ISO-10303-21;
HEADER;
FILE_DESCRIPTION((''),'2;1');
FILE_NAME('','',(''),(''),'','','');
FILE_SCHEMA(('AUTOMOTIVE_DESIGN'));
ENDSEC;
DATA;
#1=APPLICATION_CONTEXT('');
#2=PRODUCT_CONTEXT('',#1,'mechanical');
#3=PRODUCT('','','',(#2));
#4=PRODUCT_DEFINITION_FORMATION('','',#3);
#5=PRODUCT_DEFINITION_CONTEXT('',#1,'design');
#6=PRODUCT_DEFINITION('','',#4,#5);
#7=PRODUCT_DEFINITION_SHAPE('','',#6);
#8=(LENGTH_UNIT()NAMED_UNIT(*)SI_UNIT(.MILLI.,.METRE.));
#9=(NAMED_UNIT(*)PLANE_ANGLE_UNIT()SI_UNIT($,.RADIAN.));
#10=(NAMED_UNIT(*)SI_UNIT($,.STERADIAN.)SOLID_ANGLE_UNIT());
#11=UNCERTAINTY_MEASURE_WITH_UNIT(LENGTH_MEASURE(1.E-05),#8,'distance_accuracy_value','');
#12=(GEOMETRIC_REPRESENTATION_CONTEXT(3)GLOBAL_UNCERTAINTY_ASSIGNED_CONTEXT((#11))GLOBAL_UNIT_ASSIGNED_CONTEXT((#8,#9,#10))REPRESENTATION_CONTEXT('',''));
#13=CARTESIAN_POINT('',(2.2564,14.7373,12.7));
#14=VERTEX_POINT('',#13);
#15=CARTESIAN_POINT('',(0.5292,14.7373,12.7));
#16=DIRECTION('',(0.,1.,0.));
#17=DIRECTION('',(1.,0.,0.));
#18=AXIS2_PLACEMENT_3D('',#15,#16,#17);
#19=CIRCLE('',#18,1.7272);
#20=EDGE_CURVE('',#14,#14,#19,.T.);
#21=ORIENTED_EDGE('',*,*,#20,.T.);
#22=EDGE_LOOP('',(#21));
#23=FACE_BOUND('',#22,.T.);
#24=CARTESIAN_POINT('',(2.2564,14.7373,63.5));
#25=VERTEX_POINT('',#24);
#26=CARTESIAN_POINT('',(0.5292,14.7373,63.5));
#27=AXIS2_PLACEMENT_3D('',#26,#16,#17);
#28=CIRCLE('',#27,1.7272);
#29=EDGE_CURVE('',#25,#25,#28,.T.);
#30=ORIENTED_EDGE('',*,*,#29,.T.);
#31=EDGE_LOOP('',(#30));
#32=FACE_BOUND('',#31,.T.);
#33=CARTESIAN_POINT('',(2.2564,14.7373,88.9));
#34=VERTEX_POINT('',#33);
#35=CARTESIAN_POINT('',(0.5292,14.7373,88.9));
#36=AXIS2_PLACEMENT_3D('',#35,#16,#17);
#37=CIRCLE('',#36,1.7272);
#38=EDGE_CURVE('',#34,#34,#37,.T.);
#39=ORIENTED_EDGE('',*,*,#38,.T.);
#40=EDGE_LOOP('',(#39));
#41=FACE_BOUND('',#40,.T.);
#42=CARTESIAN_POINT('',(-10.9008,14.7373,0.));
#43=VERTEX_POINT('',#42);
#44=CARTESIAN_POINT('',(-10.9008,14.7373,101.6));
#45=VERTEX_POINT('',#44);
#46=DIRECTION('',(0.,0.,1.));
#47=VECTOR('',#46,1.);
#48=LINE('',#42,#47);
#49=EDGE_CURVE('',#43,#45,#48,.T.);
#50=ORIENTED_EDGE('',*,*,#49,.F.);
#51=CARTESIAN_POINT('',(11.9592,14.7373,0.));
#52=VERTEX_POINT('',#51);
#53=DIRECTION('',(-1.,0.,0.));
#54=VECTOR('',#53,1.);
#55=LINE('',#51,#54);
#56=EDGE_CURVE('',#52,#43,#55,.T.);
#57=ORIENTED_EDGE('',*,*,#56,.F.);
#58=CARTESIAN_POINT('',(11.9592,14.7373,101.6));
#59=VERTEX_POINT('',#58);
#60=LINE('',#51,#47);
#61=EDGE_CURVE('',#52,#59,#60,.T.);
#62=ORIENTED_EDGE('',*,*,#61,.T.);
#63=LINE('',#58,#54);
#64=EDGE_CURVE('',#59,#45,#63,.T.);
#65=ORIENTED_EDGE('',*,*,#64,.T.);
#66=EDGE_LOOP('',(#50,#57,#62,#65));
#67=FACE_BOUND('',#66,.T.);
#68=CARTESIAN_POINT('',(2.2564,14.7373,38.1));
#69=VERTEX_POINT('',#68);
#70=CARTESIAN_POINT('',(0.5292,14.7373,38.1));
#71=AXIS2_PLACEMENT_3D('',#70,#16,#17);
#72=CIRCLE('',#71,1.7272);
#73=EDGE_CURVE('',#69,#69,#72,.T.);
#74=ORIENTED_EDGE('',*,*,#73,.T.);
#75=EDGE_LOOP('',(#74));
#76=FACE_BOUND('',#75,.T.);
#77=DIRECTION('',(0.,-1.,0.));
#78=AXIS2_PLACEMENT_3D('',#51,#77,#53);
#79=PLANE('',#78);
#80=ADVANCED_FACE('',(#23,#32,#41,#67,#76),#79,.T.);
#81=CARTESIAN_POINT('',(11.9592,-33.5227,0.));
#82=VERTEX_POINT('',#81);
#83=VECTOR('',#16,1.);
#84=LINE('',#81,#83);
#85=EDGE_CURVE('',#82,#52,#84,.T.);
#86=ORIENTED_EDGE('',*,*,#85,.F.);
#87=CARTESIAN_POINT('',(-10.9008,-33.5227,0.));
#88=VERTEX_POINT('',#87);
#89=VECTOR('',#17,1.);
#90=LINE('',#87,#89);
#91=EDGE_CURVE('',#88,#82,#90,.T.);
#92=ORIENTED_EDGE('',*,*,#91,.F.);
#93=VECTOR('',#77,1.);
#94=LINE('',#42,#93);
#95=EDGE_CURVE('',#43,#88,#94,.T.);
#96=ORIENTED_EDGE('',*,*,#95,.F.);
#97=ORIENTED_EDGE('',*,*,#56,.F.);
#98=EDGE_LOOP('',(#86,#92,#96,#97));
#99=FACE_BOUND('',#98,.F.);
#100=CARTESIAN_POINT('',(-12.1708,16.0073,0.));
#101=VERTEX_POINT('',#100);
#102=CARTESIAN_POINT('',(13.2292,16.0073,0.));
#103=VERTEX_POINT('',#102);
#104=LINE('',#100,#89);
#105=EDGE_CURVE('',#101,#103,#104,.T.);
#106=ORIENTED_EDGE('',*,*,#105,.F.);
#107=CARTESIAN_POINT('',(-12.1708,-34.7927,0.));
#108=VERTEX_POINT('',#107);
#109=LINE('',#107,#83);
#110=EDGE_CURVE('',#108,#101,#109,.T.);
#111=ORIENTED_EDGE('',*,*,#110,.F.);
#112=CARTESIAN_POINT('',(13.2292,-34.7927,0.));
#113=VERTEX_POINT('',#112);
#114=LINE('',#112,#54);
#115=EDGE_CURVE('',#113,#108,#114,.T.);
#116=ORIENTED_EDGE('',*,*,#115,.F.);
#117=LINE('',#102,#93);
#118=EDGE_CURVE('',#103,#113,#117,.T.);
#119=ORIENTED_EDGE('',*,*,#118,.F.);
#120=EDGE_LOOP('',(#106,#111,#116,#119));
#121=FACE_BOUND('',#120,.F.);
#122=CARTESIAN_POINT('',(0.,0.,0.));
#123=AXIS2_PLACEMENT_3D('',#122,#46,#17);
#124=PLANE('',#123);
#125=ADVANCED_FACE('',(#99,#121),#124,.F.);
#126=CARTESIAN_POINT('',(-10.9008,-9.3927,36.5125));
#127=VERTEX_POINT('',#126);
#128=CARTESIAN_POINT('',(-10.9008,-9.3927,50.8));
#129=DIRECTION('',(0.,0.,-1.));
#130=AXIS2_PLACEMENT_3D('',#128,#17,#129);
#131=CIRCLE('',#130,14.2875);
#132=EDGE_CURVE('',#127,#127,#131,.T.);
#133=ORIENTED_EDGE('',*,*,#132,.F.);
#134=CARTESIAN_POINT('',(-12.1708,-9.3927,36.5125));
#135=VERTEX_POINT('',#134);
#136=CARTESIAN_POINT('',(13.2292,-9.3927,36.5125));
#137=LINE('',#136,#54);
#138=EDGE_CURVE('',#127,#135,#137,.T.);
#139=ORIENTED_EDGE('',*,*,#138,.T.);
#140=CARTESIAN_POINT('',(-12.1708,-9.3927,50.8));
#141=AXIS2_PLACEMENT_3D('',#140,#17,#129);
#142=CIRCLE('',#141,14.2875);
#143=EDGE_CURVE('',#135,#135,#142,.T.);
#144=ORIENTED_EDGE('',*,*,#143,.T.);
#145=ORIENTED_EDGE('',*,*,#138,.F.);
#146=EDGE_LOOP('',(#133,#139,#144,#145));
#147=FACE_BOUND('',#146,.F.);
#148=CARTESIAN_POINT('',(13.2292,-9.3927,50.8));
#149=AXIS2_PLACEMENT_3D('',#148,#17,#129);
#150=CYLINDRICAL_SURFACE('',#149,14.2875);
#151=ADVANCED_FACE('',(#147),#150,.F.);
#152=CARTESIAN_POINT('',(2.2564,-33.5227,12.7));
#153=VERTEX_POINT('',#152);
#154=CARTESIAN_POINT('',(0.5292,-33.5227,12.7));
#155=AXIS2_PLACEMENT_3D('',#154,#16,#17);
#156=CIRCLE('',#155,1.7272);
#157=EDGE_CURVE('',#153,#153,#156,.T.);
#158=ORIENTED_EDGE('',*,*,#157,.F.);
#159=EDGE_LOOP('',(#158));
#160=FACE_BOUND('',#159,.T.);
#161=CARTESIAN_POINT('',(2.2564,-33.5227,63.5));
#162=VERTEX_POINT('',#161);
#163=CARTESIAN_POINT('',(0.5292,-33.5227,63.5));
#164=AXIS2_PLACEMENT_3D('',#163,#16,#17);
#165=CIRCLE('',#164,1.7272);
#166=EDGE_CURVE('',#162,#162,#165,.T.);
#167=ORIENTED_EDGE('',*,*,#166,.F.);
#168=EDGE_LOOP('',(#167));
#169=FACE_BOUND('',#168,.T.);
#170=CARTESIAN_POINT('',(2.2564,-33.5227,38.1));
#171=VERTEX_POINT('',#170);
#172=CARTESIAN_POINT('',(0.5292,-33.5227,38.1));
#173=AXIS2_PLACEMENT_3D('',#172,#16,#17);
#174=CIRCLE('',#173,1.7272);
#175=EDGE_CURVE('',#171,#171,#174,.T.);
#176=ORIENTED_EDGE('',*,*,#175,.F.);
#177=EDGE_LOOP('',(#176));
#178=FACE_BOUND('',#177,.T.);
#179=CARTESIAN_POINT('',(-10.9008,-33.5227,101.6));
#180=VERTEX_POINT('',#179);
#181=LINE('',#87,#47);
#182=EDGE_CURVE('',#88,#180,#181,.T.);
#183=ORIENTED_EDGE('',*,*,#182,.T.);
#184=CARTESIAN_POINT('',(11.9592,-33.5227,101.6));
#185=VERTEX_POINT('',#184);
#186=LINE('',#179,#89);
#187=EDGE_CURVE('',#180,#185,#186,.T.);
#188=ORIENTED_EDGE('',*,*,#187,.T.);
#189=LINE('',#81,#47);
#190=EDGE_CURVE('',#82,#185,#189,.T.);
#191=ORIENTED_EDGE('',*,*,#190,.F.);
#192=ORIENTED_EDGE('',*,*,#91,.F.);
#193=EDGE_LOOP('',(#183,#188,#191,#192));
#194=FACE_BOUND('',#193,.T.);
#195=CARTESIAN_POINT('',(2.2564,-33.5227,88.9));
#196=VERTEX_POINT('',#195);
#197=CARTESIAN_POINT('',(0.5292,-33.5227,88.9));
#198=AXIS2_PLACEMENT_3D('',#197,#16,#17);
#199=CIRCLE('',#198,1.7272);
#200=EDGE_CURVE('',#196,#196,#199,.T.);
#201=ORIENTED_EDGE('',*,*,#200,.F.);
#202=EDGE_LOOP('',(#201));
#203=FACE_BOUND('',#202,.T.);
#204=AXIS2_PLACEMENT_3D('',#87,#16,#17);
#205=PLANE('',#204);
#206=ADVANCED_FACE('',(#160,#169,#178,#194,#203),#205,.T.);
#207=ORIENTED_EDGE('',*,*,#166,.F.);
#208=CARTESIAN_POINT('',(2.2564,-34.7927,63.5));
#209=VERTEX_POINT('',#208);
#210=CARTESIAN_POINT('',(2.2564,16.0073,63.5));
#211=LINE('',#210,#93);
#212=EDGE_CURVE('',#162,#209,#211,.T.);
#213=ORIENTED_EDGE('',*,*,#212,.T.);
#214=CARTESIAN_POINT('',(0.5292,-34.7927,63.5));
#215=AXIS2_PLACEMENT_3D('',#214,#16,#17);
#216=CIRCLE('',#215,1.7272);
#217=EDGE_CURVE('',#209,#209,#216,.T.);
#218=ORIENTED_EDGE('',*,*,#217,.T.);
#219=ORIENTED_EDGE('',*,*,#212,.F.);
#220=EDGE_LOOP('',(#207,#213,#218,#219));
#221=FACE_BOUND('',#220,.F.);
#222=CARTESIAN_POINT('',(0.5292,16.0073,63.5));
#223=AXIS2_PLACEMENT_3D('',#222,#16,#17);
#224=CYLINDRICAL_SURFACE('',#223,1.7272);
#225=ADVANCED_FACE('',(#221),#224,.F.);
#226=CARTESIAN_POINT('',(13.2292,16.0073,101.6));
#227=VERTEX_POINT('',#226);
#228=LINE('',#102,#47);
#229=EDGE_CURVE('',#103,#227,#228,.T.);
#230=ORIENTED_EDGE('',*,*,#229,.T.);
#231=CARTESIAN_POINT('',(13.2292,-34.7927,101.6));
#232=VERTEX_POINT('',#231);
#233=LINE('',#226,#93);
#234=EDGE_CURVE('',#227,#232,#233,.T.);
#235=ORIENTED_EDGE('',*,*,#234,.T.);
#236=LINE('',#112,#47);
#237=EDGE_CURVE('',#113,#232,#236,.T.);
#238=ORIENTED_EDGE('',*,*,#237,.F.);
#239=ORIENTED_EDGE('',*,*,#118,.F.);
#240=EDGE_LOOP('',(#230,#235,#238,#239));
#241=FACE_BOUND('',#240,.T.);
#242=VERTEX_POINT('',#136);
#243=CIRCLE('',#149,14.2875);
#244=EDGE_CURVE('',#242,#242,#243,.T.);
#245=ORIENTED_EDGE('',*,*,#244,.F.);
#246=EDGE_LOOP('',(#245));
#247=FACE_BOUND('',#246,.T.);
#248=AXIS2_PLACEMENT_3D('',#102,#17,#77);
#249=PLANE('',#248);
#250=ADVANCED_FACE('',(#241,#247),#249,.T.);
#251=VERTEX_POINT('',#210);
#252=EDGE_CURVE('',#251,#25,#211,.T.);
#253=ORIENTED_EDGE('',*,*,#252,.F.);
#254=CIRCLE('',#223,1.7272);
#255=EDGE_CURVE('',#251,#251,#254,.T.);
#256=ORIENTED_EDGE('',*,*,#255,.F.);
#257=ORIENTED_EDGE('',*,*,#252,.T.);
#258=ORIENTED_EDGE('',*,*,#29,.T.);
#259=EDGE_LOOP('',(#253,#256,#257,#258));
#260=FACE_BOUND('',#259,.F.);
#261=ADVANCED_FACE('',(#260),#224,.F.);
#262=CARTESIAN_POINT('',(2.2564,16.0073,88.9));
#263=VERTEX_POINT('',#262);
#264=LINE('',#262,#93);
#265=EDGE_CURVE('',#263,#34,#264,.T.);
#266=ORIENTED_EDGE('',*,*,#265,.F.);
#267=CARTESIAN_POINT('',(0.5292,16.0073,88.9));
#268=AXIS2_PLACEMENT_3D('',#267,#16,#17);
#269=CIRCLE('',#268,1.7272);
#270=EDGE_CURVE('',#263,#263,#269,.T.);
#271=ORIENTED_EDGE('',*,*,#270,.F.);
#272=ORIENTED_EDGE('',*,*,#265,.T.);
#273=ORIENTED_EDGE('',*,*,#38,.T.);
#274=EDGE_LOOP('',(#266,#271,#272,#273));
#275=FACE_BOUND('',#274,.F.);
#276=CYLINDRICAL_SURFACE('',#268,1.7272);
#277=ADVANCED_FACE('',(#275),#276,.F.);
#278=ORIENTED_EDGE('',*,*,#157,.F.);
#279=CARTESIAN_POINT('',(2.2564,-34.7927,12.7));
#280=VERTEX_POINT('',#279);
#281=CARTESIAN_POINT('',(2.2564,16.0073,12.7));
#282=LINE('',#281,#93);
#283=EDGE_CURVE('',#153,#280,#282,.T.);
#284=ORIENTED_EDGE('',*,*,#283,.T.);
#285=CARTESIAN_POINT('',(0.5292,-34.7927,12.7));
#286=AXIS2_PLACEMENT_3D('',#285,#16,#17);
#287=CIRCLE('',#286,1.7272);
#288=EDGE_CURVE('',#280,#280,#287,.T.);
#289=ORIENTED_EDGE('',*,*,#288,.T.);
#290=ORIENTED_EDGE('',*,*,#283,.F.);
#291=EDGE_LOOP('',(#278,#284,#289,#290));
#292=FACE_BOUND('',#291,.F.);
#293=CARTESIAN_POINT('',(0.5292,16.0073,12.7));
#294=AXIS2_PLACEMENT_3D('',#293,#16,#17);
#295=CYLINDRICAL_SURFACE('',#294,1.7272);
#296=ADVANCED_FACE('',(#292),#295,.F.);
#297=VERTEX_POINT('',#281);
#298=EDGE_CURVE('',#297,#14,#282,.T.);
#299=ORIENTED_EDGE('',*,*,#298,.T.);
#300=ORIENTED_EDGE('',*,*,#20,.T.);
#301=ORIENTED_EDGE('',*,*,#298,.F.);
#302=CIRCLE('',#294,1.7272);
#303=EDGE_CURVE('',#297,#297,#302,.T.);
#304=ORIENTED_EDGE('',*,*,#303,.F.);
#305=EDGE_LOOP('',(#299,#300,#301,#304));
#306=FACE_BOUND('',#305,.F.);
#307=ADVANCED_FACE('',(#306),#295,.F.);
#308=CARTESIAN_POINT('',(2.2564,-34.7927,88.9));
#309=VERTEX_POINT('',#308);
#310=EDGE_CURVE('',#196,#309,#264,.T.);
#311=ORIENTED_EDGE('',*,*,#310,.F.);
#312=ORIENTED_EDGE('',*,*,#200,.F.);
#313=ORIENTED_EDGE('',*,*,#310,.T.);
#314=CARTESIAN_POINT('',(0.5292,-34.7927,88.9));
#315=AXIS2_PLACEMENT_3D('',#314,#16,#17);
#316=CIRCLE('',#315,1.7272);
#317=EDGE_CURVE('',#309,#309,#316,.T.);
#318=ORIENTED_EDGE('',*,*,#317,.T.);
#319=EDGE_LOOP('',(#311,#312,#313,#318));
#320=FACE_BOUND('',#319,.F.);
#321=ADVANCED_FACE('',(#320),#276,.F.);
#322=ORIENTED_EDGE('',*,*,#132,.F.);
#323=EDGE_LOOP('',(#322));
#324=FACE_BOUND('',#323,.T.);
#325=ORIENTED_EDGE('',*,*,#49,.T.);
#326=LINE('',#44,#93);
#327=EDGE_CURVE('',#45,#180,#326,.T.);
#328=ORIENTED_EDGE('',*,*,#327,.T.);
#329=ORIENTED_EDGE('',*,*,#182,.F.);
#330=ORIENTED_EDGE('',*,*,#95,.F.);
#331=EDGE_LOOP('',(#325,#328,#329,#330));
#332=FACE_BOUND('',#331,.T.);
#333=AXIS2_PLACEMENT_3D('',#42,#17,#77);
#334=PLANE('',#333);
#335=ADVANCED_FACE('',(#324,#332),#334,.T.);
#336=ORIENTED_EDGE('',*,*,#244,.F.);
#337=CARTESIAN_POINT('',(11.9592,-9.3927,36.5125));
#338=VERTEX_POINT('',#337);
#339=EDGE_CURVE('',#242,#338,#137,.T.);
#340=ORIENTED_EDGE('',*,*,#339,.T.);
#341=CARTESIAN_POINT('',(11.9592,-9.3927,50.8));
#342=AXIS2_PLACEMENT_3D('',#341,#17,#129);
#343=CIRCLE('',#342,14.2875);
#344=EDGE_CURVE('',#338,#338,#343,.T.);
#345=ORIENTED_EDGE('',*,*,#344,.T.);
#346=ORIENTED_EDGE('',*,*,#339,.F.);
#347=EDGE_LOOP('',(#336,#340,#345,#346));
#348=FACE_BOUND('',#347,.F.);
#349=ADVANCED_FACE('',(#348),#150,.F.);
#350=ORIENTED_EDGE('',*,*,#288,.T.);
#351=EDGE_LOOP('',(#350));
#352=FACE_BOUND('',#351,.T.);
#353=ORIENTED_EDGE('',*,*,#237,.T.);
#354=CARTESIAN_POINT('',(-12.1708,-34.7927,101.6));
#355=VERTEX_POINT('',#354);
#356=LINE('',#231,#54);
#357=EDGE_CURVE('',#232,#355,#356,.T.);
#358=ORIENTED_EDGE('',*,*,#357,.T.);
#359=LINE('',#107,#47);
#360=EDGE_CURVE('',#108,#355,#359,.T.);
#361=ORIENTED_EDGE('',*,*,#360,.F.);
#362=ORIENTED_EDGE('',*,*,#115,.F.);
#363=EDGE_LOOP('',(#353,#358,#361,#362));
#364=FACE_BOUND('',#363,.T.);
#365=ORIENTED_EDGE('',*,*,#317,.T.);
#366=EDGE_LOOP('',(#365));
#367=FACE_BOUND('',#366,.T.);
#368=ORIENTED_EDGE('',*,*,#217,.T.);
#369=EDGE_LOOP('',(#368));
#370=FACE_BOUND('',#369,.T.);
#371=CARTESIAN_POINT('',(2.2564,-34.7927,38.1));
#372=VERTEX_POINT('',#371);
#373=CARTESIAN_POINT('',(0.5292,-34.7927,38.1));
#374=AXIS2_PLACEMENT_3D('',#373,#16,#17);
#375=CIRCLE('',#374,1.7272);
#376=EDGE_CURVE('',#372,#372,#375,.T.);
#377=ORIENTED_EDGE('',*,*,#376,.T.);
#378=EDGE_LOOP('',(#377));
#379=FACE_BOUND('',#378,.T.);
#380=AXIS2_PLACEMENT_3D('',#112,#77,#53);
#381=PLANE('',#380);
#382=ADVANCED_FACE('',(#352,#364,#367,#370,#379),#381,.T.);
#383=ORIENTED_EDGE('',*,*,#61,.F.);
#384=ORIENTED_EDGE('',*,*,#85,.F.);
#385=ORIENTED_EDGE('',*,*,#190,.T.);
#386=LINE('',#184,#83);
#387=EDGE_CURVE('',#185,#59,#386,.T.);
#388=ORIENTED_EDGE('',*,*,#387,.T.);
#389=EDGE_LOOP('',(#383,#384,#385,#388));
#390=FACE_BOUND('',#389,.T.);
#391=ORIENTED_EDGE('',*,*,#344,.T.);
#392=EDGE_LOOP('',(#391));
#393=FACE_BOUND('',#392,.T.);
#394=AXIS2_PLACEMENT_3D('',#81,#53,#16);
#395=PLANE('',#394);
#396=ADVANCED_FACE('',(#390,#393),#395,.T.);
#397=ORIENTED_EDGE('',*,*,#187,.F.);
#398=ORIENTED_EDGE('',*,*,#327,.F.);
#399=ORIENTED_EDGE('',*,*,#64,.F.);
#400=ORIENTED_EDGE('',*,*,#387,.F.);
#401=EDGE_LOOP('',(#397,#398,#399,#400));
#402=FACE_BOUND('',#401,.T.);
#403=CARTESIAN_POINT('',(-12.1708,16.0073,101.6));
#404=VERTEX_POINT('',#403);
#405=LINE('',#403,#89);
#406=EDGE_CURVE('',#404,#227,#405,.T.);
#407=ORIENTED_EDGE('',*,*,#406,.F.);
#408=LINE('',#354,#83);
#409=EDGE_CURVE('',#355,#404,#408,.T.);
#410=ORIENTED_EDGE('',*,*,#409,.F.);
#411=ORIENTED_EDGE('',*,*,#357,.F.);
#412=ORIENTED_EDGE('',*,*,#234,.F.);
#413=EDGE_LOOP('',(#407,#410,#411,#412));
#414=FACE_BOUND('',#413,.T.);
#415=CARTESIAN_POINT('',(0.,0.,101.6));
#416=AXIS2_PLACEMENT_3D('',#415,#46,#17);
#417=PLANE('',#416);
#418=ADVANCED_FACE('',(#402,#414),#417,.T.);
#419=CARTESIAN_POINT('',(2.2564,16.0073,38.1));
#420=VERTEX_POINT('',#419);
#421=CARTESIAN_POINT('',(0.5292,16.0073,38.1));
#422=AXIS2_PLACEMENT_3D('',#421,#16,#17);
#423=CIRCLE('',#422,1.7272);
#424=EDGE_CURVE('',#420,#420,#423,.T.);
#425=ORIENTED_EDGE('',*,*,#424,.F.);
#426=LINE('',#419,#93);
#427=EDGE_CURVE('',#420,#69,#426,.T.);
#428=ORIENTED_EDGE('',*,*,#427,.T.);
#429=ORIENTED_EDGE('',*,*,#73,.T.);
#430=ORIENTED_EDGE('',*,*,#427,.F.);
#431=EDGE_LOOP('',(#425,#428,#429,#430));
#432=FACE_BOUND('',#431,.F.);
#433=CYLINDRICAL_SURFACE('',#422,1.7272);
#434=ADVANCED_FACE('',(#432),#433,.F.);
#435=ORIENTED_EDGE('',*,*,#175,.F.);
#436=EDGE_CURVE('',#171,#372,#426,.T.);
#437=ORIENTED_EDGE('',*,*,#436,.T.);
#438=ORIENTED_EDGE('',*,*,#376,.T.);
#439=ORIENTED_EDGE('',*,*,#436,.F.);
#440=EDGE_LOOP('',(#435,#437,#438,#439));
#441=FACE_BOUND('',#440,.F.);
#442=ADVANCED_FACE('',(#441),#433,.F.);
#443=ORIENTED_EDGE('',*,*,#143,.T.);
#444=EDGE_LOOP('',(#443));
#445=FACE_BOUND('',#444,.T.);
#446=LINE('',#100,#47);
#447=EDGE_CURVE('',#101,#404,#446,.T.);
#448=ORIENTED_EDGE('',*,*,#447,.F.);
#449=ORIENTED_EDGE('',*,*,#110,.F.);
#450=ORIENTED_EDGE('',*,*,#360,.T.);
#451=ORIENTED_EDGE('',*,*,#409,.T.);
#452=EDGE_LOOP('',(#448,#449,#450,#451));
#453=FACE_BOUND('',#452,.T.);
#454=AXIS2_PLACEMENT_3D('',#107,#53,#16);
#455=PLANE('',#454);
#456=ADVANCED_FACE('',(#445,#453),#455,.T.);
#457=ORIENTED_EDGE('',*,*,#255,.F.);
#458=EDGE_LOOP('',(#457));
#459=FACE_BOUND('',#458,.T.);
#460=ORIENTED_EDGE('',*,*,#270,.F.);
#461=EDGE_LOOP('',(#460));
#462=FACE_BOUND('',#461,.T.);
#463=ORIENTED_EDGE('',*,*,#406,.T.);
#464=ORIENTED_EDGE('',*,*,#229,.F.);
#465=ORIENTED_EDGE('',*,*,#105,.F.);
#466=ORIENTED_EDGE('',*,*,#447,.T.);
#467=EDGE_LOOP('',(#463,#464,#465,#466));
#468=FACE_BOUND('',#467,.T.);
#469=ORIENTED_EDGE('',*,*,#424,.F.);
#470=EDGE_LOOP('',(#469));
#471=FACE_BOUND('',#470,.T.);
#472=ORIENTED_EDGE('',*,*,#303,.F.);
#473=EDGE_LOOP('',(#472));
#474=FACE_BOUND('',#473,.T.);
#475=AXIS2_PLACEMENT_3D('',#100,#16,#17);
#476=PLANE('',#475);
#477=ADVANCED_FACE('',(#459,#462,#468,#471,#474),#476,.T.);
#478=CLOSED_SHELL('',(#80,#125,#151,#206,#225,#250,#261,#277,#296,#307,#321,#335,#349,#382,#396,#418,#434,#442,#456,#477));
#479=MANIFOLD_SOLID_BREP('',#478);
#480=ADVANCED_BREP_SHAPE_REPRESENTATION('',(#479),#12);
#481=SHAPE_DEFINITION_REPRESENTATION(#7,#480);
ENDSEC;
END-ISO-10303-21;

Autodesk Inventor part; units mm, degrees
ref_plane "YZ Plane" through (0, 0, 0) normal (1, 0, 0) x (0, 1, 0)
ref_plane "XZ Plane" through (0, 0, 0) normal (0, 1, 0) x (-1, 0, 0)
ref_plane "XY Plane" through (0, 0, 0) normal (0, 0, 1) x (1, 0, 0)
sketch "Sketch1" plane through (0, 0, 0) normal (0, 0, 1) x (1, 0, 0)
  line L0 (-12.1708, 16.0073) -> (13.2292, 16.0073)
  line L1 (13.2292, 16.0073) -> (13.2292, -34.7927)
  line L2 (13.2292, -34.7927) -> (-12.1708, -34.7927)
  line L3 (-12.1708, -34.7927) -> (-12.1708, 16.0073)
  line L4 (11.9592, 14.7373) -> (-10.9008, 14.7373)
  line L5 (-10.9008, 14.7373) -> (-10.9008, -33.5227)
  line L6 (-10.9008, -33.5227) -> (11.9592, -33.5227)
  line L7 (11.9592, -33.5227) -> (11.9592, 14.7373)
  point P0 (0, 0)
  dimension "d0" = 25.4
  dimension "d1" = 50.8
  dimension "d2" = 1.27
extrude "Extrusion1" add sketch "Sketch1" along normal blind 101.6
sketch "Sketch2" plane through (-12.1708, 16.0073, 0) normal (0, 1, 0) x (1, 0, 0)
  circle A0 centre (12.7, -12.7) radius 1.7272
  line L0 (25.4, 0) -> (0, 0) projected
  line L1 (0, 0) -> (0, -101.6) projected
  point P0 (12.1708, 0)
  dimension "d5" = 3.4544
  dimension "d6" = 12.7
  dimension "d7" = 12.7
extrude "Extrusion2" cut sketch "Sketch2" against normal through all
pattern_linear "Rectangular Pattern1" count 10 spacing 25.4 along (0, 0, 1) of "Extrusion2"
sketch "Sketch3" plane through (13.2292, -34.7927, 0) normal (1, 0, 0) x (0, 0, -1)
  circle A0 centre (-50.8, 25.4) radius 14.2875
  line L0 (-101.6, 0) -> (-101.6, 50.8) projected
  line L1 (0, 0) -> (-101.6, 0) projected
  point P0 (0, 34.7927)
  dimension "d15" = 50.8
  dimension "d16" = 25.4
  dimension "d17" = 28.575
extrude "Extrusion3" cut sketch "Sketch3" against normal through all
equation "\"d3\" = d13"
equation "\"d10\" = d14"
equation "\"d13\" = 101.6"
equation "\"d14\" = d13"
properties part number "VersaFrame(Pivot connector)"
